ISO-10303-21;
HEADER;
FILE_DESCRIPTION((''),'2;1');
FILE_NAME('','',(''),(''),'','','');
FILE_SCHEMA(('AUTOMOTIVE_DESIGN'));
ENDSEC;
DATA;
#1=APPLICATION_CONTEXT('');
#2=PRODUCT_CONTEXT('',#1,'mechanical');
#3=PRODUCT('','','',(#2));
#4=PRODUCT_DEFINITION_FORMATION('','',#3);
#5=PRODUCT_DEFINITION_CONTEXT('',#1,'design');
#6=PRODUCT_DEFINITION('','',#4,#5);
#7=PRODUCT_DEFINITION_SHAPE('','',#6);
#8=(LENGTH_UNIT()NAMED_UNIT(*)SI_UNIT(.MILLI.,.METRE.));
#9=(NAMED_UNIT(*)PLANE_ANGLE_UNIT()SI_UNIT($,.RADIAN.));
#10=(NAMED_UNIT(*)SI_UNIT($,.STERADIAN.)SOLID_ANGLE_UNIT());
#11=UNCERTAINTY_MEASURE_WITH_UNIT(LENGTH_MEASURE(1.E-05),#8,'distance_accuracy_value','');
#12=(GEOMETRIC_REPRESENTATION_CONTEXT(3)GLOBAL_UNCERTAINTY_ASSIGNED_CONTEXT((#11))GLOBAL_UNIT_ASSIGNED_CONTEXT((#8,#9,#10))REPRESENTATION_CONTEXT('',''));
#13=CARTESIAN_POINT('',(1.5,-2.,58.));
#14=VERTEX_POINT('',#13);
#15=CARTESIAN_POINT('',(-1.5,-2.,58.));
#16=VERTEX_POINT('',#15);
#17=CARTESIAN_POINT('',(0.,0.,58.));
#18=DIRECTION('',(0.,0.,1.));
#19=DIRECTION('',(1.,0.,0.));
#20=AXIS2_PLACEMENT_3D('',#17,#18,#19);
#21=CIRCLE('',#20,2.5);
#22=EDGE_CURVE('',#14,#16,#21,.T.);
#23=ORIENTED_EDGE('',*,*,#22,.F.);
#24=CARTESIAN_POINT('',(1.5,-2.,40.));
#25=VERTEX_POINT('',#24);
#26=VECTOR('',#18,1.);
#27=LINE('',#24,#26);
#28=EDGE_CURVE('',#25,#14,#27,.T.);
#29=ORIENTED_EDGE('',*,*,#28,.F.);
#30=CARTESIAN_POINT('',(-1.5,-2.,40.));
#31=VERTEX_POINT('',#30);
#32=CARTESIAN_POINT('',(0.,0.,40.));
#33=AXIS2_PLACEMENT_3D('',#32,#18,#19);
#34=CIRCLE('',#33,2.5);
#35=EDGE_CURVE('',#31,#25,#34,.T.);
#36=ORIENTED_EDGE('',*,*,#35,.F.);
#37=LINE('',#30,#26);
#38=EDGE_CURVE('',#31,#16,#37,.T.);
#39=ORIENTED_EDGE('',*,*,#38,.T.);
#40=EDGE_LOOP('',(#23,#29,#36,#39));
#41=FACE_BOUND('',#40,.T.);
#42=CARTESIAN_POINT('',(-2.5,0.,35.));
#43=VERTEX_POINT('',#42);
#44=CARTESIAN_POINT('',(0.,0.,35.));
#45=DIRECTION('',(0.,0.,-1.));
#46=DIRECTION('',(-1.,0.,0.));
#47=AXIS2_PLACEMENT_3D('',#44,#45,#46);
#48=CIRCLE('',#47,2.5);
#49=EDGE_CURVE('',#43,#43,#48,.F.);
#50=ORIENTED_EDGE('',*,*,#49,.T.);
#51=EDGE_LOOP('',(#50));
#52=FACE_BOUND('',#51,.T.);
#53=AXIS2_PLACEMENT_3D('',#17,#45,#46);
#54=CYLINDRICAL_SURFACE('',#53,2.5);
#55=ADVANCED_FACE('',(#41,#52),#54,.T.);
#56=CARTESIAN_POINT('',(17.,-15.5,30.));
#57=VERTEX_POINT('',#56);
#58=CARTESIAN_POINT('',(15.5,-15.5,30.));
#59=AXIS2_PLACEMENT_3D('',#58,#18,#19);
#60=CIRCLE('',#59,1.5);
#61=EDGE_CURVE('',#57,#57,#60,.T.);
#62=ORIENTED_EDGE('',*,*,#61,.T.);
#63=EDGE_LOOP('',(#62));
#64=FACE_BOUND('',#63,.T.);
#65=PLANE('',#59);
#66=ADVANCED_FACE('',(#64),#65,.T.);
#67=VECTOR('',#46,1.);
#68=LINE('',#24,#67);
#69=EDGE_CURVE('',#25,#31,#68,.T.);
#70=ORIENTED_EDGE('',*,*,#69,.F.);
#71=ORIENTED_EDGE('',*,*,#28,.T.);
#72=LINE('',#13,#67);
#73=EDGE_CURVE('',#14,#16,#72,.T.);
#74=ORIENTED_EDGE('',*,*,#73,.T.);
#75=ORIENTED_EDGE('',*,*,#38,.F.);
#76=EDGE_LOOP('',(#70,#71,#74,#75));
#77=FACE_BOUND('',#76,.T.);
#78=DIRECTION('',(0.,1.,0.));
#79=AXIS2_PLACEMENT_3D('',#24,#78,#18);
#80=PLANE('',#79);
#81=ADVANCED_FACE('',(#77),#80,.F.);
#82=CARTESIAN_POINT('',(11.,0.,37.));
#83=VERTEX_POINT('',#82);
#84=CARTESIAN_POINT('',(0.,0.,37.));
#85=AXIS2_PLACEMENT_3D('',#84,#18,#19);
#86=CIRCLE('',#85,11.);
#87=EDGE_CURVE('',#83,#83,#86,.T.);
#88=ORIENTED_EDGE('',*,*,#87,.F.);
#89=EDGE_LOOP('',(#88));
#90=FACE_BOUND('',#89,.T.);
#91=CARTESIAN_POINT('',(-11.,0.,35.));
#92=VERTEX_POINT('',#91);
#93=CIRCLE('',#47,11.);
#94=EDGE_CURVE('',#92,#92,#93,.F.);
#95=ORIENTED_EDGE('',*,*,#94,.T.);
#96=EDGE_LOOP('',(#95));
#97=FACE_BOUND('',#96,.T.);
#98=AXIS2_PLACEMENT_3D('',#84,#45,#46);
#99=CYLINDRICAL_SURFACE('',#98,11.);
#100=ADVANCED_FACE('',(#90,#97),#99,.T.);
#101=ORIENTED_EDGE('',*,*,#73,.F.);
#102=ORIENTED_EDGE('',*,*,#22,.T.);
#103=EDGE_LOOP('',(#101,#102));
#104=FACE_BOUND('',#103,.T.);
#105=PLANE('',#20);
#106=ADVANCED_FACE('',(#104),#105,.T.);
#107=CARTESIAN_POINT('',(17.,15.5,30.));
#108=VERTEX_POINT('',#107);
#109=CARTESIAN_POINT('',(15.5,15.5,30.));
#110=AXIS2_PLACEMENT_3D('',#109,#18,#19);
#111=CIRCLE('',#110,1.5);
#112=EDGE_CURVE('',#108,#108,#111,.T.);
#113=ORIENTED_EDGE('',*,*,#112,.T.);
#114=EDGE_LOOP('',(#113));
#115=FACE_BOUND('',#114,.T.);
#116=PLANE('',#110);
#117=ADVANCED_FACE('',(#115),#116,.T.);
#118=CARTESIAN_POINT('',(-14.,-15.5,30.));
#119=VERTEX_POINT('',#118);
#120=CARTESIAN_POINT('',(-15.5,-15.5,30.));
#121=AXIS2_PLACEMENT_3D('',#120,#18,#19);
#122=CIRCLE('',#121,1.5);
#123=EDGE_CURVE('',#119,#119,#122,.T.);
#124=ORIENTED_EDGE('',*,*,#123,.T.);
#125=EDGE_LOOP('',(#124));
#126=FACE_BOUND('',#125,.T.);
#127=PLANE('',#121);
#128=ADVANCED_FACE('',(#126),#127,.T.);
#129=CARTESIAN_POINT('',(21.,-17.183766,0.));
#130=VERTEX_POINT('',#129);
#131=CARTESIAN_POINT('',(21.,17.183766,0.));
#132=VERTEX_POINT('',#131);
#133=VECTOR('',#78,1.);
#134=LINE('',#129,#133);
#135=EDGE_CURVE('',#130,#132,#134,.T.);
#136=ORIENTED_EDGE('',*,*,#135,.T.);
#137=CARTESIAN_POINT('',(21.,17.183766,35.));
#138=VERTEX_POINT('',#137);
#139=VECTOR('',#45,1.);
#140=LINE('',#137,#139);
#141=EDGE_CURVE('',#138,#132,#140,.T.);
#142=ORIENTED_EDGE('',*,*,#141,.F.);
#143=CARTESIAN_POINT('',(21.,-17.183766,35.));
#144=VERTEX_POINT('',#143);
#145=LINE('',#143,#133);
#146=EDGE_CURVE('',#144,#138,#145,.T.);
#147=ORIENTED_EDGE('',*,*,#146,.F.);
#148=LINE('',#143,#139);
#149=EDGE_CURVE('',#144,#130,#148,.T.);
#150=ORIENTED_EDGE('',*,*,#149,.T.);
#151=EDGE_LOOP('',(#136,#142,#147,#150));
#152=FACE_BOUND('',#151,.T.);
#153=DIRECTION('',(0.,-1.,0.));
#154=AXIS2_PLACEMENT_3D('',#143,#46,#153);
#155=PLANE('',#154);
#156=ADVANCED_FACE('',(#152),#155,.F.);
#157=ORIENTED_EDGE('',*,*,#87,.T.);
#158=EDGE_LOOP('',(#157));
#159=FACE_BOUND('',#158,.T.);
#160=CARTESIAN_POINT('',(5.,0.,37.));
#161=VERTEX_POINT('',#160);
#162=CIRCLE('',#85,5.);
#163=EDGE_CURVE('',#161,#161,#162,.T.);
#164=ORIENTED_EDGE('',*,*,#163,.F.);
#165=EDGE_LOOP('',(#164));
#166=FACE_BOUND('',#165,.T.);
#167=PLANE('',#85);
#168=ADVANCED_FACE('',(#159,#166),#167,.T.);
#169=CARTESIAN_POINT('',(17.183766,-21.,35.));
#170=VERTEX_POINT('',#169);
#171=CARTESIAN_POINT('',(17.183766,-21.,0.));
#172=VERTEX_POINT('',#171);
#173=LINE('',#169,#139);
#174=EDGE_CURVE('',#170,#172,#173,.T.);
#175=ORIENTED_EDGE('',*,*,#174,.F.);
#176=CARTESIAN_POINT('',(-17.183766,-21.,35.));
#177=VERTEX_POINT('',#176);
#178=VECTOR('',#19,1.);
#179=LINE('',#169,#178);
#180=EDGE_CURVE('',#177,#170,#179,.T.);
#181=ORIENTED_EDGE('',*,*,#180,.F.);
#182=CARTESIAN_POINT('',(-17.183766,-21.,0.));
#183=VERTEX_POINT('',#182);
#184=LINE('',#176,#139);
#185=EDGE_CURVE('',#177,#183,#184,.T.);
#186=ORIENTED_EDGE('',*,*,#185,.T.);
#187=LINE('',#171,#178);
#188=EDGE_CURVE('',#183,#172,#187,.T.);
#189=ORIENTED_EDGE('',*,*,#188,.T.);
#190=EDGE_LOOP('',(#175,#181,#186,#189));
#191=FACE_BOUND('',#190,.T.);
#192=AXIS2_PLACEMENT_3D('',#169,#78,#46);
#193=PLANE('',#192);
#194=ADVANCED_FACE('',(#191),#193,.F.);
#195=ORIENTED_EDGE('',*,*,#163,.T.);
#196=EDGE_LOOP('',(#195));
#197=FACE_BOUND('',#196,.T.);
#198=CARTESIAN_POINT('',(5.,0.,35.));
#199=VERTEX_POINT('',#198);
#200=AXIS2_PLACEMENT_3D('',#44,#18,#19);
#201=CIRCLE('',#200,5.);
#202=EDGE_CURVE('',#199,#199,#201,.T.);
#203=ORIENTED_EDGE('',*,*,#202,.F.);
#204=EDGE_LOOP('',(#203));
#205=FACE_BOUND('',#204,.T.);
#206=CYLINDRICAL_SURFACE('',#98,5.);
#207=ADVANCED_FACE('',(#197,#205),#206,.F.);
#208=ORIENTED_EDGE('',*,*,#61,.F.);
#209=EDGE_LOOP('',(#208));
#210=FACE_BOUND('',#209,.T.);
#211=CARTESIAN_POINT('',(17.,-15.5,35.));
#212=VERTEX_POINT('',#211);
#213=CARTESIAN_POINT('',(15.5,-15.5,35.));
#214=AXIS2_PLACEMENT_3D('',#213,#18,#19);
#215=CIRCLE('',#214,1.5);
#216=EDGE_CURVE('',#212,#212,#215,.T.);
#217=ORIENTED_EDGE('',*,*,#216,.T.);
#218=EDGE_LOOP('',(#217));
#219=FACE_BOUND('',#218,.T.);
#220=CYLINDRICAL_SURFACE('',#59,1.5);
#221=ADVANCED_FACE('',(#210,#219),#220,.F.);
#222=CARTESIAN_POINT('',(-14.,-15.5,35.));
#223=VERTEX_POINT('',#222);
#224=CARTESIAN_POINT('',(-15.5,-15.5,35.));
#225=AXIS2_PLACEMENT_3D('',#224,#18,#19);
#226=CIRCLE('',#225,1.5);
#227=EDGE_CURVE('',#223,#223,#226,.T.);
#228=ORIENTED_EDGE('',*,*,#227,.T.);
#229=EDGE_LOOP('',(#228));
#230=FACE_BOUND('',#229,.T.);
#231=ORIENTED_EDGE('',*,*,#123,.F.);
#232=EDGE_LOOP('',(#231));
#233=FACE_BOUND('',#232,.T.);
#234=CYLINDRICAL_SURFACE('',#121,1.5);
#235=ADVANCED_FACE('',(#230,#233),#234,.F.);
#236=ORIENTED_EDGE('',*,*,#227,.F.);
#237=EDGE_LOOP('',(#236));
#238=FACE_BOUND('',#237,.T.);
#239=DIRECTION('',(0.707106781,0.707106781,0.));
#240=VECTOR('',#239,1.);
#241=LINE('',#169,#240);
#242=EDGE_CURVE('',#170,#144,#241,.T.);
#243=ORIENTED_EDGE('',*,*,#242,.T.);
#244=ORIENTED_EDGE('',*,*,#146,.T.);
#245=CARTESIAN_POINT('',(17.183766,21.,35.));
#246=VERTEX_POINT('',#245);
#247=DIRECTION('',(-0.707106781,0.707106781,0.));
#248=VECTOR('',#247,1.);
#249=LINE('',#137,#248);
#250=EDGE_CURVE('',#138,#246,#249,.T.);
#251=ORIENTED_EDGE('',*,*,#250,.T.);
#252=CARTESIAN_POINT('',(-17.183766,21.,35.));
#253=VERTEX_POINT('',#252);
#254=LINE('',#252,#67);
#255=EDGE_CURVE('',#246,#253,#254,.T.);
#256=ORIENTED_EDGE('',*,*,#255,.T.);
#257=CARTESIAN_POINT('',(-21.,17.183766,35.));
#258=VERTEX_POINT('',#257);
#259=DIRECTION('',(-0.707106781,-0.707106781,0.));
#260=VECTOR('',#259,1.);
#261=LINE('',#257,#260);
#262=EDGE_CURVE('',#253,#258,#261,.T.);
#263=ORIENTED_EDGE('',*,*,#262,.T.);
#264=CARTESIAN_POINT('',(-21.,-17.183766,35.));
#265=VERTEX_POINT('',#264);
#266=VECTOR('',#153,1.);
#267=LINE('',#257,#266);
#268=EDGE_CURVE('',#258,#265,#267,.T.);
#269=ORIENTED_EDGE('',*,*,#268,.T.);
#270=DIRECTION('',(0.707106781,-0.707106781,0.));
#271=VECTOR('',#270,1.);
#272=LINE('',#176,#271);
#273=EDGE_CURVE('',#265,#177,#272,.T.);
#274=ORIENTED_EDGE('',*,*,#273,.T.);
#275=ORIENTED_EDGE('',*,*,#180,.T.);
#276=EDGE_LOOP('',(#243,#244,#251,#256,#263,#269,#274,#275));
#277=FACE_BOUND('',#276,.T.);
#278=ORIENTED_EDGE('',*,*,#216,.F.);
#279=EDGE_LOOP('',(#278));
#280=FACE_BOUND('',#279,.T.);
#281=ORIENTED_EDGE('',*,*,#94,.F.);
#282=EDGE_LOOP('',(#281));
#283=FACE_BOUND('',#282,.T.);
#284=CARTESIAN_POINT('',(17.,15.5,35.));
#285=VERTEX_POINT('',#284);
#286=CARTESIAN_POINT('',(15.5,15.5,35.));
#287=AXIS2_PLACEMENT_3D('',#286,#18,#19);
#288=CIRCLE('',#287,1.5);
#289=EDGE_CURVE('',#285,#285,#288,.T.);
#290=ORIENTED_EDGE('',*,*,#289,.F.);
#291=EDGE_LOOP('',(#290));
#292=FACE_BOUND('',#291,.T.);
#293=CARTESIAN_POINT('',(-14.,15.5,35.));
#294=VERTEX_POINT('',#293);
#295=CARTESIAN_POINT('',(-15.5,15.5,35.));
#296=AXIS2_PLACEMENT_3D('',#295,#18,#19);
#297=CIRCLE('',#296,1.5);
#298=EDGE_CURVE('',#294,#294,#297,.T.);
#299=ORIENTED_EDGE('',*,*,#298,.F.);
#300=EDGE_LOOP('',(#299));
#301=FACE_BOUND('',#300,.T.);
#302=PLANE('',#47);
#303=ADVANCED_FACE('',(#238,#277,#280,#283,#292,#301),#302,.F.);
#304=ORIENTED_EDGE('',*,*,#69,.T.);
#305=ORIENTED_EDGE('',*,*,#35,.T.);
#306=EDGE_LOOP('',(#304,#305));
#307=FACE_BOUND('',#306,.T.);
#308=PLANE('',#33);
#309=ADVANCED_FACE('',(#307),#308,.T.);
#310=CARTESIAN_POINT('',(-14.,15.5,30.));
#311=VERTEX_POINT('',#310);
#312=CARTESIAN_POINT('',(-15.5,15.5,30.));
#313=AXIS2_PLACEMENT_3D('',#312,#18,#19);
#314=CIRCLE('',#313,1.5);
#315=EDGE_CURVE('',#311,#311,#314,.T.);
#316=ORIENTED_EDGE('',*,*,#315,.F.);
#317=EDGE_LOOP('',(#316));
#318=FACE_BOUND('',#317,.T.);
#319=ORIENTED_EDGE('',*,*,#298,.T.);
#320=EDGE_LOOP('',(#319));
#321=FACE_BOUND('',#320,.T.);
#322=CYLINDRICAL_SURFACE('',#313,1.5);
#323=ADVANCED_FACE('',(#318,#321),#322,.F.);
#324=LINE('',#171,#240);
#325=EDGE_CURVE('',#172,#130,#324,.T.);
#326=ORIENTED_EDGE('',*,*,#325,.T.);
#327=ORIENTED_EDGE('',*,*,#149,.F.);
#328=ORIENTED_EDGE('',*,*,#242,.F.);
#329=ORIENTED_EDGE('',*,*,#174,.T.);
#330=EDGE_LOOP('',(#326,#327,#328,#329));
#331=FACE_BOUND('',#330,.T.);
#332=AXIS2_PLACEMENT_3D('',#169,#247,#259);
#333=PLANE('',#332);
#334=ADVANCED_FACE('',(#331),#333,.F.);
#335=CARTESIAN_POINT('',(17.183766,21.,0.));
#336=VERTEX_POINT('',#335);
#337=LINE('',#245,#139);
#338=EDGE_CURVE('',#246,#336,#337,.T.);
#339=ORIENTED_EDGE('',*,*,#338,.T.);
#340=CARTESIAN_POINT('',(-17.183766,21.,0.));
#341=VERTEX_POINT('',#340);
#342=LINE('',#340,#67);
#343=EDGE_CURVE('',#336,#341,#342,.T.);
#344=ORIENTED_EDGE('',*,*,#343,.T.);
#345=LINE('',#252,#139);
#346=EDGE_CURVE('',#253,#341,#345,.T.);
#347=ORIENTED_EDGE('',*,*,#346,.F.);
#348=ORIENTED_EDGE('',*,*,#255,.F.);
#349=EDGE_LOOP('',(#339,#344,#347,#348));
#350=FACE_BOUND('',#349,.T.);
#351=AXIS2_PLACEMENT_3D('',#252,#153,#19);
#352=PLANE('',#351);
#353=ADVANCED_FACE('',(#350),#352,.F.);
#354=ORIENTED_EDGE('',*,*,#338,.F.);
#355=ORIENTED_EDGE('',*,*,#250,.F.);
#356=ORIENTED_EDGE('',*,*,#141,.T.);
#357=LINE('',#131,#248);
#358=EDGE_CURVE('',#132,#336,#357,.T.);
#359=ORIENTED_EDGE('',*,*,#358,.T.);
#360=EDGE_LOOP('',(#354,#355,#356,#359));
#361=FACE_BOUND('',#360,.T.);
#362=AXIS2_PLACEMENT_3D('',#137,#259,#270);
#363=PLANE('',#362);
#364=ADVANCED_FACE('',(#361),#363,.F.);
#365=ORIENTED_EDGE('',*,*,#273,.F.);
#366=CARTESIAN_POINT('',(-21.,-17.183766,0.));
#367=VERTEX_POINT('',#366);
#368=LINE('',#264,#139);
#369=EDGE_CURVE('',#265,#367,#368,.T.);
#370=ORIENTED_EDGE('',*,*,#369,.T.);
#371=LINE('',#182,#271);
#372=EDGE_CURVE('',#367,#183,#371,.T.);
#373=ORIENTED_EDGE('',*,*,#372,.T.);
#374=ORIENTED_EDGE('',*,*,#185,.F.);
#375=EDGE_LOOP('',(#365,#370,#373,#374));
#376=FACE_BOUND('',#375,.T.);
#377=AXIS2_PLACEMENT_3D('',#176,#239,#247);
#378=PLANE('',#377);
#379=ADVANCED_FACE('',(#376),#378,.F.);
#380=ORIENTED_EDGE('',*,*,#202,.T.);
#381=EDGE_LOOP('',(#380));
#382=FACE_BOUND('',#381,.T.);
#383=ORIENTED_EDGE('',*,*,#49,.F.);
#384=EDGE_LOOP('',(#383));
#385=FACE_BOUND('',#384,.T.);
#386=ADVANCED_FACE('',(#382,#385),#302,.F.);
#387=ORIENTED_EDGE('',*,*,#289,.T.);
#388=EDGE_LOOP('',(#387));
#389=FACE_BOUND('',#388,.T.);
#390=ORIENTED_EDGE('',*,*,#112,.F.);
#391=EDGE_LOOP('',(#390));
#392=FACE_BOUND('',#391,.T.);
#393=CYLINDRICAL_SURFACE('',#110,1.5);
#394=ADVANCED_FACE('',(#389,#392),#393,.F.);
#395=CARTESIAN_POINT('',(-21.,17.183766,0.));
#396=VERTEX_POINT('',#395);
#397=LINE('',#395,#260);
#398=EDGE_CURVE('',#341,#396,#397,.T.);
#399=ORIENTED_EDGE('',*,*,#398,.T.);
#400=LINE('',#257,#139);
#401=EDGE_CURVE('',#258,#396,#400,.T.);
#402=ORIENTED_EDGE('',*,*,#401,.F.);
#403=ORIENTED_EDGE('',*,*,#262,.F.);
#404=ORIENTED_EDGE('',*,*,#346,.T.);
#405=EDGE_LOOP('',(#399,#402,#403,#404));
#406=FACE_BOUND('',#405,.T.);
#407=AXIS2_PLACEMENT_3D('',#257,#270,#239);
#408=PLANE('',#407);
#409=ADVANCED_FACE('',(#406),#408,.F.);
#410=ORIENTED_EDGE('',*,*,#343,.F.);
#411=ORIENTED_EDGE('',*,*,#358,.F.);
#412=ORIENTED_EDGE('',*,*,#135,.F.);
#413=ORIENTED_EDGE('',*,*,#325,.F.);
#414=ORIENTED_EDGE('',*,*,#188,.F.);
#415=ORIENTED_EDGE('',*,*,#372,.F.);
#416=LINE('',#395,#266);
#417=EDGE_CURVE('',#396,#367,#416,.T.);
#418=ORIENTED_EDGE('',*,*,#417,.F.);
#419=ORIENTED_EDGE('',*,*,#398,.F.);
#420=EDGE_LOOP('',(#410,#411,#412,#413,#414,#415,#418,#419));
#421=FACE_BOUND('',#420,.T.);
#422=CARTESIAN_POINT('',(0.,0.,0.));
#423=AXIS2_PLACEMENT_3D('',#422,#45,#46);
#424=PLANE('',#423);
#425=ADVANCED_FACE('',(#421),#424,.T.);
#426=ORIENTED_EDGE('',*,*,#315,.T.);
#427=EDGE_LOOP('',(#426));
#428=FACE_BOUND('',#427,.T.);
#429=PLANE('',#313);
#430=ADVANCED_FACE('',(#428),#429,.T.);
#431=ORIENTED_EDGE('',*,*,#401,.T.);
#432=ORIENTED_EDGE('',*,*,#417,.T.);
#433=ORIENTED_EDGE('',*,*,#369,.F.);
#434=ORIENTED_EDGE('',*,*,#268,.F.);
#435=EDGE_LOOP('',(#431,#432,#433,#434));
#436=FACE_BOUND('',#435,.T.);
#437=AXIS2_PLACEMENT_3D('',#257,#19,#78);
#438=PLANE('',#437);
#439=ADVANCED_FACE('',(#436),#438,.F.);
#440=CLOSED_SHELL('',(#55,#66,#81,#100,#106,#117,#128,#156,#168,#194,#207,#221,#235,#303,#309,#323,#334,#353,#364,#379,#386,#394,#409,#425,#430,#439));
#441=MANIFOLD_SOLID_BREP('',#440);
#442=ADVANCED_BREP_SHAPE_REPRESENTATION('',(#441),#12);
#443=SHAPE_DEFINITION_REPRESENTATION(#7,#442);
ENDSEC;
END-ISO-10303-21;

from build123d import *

# Parameters (mm, degrees)
EXTRUDE_1_DEPTH     = 35
SKETCH_2_R          = 11
SKETCH_2_R_2        = 5
EXTRUDE_2_DEPTH     = 2
SKETCH_3_R          = 2.5
EXTRUDE_3_DEPTH     = 23
CUT_EXTRUDE_START   = -18
CUT_EXTRUDE_1_DEPTH = 18
SKETCH_5_R          = 1.5
CUT_EXTRUDE_2_DEPTH = 5


with BuildPart() as part:
    # 草图1 → 凸台-拉伸1 (new body)
    with BuildSketch(Plane.XY):
        Polygon((-17.183766184, 21), (17.183766184, 21), (21, 17.183766184), (21, -17.183766184), (17.183766184, -21), (-17.183766184, -21), (-21, -17.183766184), (-21, 17.183766184), align=None)
    extrude(amount=EXTRUDE_1_DEPTH)

    # 草图2 → 凸台-拉伸2 (add)
    with BuildSketch(Plane.XY.offset(35)):
        with Locations(Location((0, 0, 0), (0, 0, 180))):
            Circle(SKETCH_2_R)
        Circle(SKETCH_2_R_2, mode=Mode.SUBTRACT)
    extrude(amount=EXTRUDE_2_DEPTH)

    # 草图3 → 凸台-拉伸3 (add)
    with BuildSketch(Plane.XY.offset(35)):
        with Locations(Location((0, 0, 0), (0, 0, 180))):
            Circle(SKETCH_3_R)
    extrude(amount=EXTRUDE_3_DEPTH)

    # 草图4 → 切除-拉伸1 (cut)
    with BuildSketch(Plane.XY.offset(58).offset(CUT_EXTRUDE_START)):
        with BuildLine():
            Line((1.5, -2), (-1.5, -2))
            ThreePointArc((-1.5, -2), (0, -2.5), (1.5, -2))
        make_face()
    extrude(amount=CUT_EXTRUDE_1_DEPTH, mode=Mode.SUBTRACT)

    # 草图5 → 切除-拉伸2 (cut)
    with BuildSketch(Plane.XY.offset(35)):
        with Locations((-15.5, 15.5)):
            Circle(SKETCH_5_R)
        with Locations((15.5, 15.5)):
            Circle(SKETCH_5_R)
        with Locations((15.5, -15.5)):
            Circle(SKETCH_5_R)
        with Locations((-15.5, -15.5)):
            Circle(SKETCH_5_R)
    extrude(amount=-CUT_EXTRUDE_2_DEPTH, mode=Mode.SUBTRACT)


solid = part.part
